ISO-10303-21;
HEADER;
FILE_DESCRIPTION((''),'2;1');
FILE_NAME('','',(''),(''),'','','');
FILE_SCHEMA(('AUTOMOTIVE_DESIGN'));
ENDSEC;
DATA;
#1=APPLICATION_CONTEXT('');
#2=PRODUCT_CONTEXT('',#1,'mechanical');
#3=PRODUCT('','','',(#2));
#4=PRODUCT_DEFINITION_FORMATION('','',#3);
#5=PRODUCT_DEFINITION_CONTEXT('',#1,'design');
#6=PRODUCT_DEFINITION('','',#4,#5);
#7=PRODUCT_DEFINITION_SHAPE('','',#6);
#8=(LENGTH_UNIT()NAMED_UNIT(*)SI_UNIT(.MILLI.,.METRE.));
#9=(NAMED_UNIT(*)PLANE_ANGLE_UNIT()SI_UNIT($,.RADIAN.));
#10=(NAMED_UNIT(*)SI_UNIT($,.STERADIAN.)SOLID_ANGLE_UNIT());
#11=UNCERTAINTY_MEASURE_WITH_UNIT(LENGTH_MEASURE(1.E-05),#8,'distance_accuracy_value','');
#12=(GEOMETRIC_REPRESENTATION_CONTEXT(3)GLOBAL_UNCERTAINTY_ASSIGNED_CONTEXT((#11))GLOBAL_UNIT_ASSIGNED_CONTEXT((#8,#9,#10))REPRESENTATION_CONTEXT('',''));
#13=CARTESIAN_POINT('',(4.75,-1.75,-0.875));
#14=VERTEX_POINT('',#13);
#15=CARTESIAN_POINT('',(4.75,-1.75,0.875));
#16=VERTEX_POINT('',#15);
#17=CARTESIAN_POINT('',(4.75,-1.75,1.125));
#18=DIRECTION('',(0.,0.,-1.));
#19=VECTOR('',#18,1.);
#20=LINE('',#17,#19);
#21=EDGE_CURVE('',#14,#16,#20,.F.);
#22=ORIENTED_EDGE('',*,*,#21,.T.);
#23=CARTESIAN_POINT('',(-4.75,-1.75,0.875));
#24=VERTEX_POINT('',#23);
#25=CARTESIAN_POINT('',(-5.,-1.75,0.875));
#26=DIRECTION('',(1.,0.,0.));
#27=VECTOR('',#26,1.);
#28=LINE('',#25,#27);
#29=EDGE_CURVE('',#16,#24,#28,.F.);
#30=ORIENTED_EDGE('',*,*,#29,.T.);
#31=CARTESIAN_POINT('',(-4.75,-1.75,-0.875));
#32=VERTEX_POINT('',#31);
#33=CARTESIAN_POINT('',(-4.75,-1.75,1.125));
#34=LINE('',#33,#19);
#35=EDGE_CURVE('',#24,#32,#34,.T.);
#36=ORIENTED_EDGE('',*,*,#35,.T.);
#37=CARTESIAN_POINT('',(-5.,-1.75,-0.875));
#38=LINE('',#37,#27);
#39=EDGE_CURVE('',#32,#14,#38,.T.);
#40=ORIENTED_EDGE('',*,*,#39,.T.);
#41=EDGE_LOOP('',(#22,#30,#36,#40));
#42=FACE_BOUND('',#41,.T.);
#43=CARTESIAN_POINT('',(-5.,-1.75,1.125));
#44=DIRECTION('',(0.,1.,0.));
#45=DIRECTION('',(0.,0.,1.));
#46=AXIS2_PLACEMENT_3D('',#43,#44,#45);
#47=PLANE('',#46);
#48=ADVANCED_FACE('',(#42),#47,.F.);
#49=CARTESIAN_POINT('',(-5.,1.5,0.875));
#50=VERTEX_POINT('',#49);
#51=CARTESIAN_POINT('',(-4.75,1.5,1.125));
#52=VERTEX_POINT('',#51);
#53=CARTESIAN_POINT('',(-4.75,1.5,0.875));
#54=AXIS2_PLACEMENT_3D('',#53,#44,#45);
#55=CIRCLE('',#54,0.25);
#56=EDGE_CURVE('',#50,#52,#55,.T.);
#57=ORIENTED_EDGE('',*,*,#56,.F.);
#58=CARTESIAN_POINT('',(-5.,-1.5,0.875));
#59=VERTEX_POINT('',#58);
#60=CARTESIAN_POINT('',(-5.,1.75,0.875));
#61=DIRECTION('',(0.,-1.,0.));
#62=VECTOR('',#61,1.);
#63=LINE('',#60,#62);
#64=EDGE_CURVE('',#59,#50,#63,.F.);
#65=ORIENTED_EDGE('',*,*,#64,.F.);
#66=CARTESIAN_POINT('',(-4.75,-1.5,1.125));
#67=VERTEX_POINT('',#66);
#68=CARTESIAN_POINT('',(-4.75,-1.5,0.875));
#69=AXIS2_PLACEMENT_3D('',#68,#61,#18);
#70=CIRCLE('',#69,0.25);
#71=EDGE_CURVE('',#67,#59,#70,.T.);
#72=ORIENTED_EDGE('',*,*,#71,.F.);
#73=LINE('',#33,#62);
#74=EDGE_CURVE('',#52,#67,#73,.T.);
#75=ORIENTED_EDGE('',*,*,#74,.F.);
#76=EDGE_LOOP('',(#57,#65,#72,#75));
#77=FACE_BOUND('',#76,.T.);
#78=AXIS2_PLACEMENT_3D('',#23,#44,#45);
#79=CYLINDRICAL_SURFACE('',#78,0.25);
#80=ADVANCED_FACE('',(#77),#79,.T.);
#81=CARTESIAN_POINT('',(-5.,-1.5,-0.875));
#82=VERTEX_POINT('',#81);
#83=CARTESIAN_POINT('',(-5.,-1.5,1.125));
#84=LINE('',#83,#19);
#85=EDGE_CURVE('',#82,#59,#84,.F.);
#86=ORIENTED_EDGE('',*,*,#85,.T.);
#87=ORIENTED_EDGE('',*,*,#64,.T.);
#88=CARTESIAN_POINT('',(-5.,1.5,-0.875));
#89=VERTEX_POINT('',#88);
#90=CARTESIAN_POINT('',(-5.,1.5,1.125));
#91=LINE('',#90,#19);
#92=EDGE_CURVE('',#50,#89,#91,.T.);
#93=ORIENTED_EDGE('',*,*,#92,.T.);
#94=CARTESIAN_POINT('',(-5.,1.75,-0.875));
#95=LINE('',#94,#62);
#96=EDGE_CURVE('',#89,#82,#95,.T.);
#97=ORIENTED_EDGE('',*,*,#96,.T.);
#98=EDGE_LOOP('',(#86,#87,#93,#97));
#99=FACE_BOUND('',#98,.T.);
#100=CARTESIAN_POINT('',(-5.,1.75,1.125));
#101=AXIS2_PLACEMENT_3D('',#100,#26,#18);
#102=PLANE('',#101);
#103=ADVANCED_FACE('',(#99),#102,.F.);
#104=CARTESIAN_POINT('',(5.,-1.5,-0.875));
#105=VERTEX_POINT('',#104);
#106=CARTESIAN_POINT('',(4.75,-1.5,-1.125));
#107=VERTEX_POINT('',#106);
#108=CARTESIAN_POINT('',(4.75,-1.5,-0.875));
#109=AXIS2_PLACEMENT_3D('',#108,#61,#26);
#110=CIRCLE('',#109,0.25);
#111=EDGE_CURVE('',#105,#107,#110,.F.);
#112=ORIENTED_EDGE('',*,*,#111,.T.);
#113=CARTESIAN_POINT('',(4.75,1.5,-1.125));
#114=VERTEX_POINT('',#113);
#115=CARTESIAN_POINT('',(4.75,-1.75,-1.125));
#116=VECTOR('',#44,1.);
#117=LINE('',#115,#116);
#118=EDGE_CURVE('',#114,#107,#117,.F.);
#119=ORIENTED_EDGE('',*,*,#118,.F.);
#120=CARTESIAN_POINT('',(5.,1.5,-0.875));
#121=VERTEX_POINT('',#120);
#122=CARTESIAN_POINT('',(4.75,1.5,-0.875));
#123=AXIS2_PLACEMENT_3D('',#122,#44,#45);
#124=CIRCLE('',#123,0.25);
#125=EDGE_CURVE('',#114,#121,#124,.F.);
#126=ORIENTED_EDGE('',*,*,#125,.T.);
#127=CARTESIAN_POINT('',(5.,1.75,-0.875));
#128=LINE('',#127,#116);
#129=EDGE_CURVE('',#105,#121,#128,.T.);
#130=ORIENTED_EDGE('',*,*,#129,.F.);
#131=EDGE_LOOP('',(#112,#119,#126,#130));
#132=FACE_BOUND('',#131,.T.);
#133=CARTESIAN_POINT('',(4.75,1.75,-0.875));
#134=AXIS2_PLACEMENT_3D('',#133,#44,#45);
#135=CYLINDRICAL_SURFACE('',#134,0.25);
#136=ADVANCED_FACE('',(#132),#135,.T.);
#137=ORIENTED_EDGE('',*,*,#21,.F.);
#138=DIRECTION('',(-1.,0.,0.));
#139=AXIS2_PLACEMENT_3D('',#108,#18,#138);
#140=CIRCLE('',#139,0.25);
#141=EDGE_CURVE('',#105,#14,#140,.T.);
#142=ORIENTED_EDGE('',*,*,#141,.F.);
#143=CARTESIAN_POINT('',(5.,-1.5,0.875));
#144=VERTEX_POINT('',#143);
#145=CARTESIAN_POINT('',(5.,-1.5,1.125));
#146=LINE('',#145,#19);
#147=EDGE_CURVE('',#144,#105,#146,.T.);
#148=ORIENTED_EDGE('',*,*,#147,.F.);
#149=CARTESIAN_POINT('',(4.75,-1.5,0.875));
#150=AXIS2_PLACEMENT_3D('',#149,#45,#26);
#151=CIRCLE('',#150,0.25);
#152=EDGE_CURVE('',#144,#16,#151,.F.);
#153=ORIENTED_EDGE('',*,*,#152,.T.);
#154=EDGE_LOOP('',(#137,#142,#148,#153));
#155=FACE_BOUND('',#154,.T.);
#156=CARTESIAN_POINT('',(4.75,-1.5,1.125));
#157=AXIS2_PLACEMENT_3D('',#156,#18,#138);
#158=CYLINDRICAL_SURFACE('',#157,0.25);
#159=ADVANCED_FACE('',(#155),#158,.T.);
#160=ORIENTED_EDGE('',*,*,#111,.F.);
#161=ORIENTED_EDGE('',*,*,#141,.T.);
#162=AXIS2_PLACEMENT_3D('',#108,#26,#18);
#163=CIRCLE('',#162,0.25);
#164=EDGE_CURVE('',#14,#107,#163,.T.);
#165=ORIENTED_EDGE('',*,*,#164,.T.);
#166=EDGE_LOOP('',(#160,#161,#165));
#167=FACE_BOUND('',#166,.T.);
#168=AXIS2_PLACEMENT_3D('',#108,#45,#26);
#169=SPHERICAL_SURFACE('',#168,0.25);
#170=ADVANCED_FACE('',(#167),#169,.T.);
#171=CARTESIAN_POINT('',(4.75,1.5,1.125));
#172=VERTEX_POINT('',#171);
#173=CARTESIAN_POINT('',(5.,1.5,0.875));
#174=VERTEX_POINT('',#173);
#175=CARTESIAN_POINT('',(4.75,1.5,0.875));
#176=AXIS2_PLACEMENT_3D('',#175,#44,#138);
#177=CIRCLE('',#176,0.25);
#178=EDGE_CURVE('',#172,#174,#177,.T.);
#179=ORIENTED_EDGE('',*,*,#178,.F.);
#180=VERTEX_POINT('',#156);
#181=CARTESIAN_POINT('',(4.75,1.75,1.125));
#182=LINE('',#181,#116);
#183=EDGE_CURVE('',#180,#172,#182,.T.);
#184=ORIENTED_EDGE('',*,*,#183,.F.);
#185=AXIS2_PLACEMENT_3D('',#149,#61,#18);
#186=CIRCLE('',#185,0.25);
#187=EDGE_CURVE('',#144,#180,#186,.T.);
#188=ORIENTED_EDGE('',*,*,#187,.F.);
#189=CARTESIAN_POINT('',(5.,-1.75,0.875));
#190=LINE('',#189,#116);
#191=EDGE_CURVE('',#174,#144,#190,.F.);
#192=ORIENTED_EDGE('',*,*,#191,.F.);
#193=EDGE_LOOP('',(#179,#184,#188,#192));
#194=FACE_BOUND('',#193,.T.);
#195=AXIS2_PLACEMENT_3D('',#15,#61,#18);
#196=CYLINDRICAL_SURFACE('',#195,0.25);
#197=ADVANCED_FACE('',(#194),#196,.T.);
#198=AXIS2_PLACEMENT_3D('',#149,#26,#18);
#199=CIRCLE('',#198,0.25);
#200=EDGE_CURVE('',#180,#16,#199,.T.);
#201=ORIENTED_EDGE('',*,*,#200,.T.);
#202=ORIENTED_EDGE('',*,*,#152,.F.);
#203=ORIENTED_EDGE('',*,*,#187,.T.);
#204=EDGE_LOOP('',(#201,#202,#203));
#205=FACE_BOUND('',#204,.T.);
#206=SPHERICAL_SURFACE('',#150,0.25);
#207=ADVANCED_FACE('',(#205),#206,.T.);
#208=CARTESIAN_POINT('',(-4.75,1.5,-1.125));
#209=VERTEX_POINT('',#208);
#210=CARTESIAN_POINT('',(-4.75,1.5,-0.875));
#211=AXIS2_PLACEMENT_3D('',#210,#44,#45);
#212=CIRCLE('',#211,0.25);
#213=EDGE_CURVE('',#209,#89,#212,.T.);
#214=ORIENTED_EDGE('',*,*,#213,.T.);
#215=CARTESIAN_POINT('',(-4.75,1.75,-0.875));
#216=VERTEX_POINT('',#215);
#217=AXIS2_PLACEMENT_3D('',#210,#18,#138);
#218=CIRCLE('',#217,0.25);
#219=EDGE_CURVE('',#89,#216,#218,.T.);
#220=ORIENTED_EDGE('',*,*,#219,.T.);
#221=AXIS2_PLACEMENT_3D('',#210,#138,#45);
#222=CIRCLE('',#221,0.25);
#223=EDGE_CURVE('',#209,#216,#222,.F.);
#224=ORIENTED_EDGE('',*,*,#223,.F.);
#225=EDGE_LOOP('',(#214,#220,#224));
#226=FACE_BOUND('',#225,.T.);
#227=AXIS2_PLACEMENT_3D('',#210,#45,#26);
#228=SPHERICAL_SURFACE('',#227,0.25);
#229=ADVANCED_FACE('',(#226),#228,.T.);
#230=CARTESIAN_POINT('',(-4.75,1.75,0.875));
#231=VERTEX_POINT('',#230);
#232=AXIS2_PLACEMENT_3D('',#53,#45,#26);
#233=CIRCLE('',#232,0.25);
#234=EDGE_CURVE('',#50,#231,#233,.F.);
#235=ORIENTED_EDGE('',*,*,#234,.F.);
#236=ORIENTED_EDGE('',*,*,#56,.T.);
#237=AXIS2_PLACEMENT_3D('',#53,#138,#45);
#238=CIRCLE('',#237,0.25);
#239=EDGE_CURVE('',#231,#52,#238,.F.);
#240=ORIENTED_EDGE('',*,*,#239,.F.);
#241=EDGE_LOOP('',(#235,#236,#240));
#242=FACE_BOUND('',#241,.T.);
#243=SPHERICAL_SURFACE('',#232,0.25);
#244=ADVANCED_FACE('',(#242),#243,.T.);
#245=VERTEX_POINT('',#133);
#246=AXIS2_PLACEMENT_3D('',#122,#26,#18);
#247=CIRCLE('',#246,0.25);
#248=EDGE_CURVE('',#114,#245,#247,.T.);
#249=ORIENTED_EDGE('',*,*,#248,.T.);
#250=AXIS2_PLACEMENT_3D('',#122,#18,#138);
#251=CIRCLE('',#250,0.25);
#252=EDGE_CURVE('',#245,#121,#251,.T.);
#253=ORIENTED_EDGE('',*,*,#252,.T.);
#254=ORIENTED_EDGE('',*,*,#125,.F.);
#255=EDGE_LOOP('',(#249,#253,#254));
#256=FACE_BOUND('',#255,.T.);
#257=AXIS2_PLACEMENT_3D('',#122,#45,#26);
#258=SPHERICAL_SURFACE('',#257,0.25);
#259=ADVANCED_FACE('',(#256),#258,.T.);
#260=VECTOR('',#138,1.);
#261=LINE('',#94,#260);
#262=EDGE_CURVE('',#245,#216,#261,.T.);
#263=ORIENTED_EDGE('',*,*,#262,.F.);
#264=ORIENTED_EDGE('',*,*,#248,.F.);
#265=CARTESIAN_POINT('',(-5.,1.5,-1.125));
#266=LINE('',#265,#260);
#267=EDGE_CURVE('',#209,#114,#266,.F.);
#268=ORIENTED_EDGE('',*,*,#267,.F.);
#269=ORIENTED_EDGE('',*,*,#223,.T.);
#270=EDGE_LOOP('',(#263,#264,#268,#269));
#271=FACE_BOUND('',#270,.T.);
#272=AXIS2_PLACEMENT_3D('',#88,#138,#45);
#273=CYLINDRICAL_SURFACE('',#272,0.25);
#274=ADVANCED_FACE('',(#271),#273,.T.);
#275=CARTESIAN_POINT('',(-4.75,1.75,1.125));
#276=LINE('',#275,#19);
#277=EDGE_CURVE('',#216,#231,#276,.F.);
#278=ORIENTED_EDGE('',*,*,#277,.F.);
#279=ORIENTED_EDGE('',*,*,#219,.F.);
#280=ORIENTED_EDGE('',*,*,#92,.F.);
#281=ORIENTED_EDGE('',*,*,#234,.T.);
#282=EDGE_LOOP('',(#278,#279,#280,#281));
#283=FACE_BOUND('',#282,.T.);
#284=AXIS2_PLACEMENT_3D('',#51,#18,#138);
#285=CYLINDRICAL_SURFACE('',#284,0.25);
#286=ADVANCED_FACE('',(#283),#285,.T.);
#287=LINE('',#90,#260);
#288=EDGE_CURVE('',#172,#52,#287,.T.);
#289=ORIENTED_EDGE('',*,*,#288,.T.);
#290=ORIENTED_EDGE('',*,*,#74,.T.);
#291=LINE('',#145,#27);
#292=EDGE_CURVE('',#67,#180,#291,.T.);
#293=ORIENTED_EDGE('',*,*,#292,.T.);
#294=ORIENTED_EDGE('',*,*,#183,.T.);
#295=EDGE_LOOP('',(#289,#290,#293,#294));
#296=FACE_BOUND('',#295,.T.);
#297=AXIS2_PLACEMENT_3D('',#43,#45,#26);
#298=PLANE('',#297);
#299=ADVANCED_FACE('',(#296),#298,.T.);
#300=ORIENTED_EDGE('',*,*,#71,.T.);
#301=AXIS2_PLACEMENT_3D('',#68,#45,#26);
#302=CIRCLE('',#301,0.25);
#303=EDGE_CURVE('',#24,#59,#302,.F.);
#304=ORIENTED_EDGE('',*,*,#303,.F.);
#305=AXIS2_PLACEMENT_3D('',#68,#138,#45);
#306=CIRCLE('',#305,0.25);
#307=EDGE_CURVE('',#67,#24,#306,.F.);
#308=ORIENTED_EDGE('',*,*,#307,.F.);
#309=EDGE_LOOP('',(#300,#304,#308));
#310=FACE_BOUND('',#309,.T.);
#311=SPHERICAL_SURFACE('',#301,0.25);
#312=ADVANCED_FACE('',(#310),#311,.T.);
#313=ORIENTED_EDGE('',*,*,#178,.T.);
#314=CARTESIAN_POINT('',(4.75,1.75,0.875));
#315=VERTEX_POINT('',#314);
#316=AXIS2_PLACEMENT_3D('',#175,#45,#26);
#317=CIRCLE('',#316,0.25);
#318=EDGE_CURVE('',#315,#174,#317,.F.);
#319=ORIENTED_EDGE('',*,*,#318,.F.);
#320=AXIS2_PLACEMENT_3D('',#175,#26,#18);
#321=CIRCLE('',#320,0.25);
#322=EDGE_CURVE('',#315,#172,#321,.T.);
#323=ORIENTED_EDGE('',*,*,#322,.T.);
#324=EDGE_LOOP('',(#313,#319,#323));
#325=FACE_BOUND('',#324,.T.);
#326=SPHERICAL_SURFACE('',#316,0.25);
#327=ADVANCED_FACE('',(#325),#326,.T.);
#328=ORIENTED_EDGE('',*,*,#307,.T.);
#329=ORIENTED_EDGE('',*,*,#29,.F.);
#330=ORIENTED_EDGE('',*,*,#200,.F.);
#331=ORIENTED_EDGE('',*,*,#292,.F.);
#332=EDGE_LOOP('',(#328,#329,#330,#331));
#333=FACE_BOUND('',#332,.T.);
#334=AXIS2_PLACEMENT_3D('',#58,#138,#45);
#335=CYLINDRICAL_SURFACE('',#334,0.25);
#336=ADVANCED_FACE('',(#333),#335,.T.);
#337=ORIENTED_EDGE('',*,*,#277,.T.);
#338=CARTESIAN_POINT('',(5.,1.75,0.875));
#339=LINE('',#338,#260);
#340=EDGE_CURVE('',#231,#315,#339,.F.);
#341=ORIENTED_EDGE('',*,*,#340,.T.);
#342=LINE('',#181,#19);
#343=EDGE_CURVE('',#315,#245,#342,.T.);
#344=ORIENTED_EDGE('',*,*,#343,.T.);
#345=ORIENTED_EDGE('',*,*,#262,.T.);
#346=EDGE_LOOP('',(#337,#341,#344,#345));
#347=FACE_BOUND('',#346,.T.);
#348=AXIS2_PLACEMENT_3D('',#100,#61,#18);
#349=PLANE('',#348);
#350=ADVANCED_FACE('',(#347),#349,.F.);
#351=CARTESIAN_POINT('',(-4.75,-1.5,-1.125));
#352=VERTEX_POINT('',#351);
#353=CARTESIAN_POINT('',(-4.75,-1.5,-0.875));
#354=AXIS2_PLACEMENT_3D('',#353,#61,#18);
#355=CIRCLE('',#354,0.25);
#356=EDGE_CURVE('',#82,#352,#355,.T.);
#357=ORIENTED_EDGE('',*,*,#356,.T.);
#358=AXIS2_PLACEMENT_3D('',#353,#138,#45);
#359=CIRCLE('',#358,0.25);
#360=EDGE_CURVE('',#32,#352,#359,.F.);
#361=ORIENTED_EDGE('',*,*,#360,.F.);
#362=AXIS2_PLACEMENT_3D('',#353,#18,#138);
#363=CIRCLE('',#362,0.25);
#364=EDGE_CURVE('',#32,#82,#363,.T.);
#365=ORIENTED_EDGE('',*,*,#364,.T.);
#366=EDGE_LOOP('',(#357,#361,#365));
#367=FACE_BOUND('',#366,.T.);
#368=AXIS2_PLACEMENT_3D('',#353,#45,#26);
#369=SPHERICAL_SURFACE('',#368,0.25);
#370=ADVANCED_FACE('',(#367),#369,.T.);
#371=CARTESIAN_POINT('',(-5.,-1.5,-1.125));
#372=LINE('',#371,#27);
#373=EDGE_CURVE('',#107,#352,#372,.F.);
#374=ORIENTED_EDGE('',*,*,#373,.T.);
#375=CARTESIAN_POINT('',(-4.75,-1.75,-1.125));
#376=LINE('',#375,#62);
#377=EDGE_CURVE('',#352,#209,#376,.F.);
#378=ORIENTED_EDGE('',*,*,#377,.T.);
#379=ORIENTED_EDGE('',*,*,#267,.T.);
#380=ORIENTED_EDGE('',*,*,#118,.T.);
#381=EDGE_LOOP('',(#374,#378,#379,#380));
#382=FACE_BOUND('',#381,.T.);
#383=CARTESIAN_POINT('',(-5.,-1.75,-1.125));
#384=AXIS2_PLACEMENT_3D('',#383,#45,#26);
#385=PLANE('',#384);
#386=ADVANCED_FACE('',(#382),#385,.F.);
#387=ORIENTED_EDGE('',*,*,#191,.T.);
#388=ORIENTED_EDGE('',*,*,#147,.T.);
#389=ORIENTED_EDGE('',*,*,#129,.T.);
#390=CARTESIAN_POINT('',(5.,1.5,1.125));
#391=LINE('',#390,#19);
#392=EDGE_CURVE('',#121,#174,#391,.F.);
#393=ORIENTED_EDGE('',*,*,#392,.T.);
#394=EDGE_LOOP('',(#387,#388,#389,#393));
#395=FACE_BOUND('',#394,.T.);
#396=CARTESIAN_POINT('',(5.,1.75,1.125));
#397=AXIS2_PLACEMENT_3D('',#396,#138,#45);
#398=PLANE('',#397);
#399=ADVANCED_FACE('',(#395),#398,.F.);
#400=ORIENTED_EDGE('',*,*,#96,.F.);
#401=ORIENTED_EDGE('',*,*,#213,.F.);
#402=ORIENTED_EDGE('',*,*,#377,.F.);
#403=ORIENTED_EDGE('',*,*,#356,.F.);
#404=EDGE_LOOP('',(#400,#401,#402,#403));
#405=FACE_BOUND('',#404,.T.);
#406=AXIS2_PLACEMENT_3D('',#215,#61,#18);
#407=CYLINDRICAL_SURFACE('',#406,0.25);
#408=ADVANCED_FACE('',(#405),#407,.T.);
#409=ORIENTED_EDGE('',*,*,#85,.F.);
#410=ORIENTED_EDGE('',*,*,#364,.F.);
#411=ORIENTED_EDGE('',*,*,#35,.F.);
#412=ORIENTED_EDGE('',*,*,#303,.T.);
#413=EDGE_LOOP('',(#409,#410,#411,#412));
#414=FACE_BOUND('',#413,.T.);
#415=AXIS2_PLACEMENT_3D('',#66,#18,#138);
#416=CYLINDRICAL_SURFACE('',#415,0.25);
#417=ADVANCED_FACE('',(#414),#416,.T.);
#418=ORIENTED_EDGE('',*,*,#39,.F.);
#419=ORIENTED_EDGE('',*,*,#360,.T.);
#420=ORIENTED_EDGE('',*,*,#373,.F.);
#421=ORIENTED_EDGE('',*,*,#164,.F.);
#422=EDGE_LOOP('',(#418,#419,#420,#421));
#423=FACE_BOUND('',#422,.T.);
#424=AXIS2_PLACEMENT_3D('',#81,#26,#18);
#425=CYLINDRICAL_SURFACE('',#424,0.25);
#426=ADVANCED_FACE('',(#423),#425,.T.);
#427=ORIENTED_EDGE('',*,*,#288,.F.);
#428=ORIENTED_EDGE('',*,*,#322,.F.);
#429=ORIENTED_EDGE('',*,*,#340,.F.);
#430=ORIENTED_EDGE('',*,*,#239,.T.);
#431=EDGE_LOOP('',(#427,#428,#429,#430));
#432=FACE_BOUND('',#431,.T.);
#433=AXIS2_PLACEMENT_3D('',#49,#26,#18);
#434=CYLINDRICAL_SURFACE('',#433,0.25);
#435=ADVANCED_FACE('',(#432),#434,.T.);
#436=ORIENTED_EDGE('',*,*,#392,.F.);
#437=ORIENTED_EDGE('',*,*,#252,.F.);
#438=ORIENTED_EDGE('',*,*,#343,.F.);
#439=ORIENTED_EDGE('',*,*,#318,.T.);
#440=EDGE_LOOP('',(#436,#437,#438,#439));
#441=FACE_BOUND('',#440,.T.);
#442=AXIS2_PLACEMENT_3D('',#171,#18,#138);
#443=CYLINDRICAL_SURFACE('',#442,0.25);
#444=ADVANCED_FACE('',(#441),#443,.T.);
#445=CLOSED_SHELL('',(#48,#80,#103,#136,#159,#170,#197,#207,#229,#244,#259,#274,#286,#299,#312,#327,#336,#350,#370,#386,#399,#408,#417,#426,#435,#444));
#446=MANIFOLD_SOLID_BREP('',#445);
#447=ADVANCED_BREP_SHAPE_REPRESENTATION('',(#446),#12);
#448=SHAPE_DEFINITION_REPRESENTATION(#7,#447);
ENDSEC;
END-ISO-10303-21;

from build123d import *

# Parameters (mm, degrees)
SKETCH1_W      = 10
SKETCH1_H      = 3.5
EXTRUDE1_DEPTH = 1.125
FILLET1_R      = 0.25


with BuildPart() as part:
    # Sketch1 → Extrude1 (new, symmetric)
    with BuildSketch(Plane.XY):
        Rectangle(SKETCH1_W, SKETCH1_H)
    extrude(amount=EXTRUDE1_DEPTH, both=True)

    # Fillet1
    fillet1_edges = [part.edges().sort_by_distance(p)[0] for p in [
        (5, 0, 1.125),
        (0, 1.75, 1.125),
        (-5, 0, 1.125),
        (0, 1.75, -1.125),
        (5, 0, -1.125),
        (0, -1.75, -1.125),
        (-5, 0, -1.125),
        (0, -1.75, 1.125),
        (-5, 1.75, 0),
        (5, 1.75, 0),
        (5, -1.75, 0),
        (-5, -1.75, 0),
    ]]
    fillet(fillet1_edges, radius=FILLET1_R)


solid = part.part
